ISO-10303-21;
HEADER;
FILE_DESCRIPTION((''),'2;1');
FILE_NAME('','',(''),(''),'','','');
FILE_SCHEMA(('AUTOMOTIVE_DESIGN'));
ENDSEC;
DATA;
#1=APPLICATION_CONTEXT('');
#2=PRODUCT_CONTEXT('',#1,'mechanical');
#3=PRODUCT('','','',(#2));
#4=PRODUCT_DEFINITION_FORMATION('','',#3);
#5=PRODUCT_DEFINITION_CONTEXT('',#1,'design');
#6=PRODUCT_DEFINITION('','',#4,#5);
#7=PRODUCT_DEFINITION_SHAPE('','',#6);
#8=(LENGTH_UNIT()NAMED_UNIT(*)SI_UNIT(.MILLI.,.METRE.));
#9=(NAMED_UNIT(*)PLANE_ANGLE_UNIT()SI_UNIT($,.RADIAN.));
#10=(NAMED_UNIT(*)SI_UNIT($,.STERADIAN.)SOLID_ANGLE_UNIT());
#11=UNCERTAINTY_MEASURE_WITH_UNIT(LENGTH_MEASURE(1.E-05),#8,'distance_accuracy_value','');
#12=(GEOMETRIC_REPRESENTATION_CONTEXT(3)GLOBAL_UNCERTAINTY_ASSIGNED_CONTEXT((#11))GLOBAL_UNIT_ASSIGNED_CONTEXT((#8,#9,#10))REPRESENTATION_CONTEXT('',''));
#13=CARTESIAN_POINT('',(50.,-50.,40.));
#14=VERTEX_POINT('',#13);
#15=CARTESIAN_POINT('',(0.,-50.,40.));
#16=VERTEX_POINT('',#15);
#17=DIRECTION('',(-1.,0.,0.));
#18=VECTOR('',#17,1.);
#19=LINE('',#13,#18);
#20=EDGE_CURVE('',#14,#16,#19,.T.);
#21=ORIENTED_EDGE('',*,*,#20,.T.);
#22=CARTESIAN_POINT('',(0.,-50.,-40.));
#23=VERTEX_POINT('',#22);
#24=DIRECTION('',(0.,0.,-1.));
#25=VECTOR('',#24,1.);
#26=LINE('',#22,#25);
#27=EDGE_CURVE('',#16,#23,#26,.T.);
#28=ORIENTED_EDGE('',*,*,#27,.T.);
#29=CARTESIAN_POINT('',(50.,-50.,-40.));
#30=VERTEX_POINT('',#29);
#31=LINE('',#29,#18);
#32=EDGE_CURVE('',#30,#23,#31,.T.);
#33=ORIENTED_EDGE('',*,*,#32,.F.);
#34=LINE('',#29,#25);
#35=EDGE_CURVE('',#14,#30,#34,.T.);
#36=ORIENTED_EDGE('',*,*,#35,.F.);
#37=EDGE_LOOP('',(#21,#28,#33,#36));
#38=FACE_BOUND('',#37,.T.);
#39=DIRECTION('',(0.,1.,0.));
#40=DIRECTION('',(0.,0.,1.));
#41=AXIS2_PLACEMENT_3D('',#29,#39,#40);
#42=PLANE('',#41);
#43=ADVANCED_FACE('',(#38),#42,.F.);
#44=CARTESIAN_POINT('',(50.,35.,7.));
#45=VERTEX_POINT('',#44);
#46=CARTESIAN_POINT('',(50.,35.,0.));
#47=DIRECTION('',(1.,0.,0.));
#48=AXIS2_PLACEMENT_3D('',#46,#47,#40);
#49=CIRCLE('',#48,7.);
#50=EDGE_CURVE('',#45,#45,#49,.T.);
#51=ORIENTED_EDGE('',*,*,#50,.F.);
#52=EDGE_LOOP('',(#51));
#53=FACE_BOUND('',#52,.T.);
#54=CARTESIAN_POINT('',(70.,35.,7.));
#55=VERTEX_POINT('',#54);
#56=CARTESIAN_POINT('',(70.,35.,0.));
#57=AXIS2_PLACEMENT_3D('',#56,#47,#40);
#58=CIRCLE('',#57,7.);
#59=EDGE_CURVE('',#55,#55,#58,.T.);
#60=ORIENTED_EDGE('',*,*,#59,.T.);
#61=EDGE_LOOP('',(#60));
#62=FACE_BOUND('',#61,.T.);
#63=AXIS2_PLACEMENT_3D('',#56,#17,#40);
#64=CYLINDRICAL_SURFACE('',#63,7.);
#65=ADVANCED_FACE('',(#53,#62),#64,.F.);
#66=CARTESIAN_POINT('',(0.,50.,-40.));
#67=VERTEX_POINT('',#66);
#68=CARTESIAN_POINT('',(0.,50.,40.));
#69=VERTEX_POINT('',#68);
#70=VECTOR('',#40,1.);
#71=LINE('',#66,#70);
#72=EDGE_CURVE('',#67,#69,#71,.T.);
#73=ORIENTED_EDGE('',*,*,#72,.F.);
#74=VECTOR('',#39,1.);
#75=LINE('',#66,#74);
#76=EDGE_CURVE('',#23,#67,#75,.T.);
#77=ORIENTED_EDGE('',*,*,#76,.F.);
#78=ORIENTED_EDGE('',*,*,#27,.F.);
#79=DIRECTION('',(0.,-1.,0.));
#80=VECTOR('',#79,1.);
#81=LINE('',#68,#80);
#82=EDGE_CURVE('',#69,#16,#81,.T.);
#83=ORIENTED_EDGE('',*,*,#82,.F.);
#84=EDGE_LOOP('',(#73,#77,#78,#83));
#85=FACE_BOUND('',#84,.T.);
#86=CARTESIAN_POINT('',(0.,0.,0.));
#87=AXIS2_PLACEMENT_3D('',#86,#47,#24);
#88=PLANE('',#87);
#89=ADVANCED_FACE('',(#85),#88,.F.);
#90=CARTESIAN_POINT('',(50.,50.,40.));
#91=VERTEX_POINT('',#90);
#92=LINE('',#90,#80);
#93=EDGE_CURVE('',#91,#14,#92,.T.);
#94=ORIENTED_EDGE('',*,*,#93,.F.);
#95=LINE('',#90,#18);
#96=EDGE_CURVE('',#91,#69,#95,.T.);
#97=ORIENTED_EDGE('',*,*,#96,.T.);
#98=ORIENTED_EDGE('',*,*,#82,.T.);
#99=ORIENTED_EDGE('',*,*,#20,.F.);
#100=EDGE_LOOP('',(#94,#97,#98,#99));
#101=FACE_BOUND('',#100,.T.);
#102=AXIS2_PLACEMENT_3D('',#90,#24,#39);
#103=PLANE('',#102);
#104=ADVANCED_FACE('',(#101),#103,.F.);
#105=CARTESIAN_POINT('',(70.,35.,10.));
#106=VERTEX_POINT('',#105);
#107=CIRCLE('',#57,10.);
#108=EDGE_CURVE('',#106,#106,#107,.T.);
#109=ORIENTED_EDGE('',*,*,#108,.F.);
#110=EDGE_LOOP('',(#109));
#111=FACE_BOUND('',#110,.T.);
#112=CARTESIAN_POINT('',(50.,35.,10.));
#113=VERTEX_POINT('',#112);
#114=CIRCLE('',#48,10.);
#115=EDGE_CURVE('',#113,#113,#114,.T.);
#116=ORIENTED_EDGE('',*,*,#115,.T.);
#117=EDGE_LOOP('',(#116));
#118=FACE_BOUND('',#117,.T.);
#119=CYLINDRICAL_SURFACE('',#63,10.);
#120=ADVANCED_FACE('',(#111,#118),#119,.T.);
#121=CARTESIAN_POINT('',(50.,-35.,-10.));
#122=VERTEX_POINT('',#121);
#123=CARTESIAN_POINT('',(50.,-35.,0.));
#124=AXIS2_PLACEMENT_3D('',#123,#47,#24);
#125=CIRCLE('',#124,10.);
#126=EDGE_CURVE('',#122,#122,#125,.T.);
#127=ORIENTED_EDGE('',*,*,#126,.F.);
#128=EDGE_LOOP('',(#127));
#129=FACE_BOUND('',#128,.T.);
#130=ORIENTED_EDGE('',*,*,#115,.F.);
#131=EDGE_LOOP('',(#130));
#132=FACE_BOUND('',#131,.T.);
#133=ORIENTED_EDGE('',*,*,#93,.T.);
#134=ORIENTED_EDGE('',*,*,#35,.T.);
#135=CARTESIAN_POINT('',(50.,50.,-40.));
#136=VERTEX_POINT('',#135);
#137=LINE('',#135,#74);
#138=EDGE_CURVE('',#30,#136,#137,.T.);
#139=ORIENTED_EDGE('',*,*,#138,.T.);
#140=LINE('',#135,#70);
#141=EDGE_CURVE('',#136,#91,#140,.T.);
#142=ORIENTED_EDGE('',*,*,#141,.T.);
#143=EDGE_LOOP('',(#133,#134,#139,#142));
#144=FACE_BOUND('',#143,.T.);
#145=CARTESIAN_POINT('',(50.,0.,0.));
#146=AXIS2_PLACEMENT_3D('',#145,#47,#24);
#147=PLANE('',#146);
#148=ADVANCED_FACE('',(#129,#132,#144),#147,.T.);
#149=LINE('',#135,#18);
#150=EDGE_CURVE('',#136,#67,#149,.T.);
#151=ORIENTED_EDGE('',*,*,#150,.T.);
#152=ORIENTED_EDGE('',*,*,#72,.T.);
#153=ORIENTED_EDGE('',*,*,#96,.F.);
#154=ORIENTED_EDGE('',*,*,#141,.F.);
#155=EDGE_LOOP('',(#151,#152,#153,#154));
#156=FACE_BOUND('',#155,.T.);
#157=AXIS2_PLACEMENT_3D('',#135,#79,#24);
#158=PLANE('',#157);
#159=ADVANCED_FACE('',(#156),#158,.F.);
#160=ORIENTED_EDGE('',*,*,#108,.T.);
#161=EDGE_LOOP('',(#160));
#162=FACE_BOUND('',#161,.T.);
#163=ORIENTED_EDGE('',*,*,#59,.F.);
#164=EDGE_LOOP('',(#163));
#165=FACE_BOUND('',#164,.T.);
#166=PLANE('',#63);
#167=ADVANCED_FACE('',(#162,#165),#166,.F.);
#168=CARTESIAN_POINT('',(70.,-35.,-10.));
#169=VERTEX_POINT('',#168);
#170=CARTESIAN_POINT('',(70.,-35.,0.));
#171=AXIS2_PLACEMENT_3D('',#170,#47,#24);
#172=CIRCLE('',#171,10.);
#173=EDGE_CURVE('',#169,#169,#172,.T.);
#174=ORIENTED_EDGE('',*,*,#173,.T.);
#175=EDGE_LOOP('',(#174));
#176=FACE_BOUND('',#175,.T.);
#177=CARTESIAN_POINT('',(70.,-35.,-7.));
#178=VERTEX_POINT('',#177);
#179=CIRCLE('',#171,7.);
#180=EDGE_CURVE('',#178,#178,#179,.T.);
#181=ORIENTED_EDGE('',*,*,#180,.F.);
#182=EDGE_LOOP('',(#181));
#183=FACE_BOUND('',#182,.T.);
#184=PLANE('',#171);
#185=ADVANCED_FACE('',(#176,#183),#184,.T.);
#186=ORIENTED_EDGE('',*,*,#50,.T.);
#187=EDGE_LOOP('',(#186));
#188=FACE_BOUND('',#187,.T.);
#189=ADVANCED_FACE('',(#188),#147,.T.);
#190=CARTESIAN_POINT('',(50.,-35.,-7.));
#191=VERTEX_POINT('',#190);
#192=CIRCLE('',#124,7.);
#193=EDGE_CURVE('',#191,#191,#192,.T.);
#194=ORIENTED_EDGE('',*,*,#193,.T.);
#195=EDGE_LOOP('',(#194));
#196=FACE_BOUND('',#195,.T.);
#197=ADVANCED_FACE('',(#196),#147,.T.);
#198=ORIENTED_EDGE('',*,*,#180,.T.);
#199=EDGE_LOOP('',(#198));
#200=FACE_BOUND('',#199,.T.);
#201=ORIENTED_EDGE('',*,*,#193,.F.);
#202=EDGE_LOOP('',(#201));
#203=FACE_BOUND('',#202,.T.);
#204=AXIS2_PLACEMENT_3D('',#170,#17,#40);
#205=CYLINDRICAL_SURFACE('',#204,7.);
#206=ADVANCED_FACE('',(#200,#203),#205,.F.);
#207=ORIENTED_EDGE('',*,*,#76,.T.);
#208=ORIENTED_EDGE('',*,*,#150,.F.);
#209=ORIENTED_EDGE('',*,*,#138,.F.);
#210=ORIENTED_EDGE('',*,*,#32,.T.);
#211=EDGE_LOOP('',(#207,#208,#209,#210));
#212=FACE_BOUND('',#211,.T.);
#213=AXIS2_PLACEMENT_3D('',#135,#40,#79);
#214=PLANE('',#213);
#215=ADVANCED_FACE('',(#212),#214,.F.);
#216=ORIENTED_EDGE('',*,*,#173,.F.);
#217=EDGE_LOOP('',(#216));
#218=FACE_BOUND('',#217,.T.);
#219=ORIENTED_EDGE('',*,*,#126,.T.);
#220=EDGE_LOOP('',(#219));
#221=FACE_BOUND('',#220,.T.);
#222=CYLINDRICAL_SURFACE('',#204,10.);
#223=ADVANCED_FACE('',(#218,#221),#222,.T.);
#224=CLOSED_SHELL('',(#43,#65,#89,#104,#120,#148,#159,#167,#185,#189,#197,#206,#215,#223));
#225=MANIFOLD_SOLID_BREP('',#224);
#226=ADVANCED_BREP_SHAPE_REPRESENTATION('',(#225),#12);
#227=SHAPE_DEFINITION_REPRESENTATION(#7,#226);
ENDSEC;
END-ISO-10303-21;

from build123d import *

# Parameters (mm, degrees)
SKETCH1_W           = 100
SKETCH1_H           = 80
BOSS_EXTRUDE1_DEPTH = 50
SKETCH2_R           = 10
SKETCH2_R_2         = 7
BOSS_EXTRUDE2_DEPTH = 20


with BuildPart() as part:
    # Sketch1 → Boss-Extrude1 (new body)
    with BuildSketch(Plane.YZ):
        Rectangle(SKETCH1_W, SKETCH1_H)
    extrude(amount=BOSS_EXTRUDE1_DEPTH)

    # Sketch2 → Boss-Extrude2 (add)
    # profile 1 of 2: a face of its own
    with BuildSketch(Plane.YZ.offset(50)):
        with Locations(Location((-35, 0, 0), (0, 0, 270))):
            Circle(SKETCH2_R)
        with Locations(Location((-35, 0, 0), (0, 0, 270))):
            Circle(SKETCH2_R_2, mode=Mode.SUBTRACT)
    # profile 2 of 2: a face of its own
    with BuildSketch(Plane.YZ.offset(50)):
        with Locations(Location((35, 0, 0), (0, 0, 90))):
            Circle(SKETCH2_R)
        with Locations(Location((35, 0, 0), (0, 0, 90))):
            Circle(SKETCH2_R_2, mode=Mode.SUBTRACT)
    extrude(amount=BOSS_EXTRUDE2_DEPTH)


solid = part.part
